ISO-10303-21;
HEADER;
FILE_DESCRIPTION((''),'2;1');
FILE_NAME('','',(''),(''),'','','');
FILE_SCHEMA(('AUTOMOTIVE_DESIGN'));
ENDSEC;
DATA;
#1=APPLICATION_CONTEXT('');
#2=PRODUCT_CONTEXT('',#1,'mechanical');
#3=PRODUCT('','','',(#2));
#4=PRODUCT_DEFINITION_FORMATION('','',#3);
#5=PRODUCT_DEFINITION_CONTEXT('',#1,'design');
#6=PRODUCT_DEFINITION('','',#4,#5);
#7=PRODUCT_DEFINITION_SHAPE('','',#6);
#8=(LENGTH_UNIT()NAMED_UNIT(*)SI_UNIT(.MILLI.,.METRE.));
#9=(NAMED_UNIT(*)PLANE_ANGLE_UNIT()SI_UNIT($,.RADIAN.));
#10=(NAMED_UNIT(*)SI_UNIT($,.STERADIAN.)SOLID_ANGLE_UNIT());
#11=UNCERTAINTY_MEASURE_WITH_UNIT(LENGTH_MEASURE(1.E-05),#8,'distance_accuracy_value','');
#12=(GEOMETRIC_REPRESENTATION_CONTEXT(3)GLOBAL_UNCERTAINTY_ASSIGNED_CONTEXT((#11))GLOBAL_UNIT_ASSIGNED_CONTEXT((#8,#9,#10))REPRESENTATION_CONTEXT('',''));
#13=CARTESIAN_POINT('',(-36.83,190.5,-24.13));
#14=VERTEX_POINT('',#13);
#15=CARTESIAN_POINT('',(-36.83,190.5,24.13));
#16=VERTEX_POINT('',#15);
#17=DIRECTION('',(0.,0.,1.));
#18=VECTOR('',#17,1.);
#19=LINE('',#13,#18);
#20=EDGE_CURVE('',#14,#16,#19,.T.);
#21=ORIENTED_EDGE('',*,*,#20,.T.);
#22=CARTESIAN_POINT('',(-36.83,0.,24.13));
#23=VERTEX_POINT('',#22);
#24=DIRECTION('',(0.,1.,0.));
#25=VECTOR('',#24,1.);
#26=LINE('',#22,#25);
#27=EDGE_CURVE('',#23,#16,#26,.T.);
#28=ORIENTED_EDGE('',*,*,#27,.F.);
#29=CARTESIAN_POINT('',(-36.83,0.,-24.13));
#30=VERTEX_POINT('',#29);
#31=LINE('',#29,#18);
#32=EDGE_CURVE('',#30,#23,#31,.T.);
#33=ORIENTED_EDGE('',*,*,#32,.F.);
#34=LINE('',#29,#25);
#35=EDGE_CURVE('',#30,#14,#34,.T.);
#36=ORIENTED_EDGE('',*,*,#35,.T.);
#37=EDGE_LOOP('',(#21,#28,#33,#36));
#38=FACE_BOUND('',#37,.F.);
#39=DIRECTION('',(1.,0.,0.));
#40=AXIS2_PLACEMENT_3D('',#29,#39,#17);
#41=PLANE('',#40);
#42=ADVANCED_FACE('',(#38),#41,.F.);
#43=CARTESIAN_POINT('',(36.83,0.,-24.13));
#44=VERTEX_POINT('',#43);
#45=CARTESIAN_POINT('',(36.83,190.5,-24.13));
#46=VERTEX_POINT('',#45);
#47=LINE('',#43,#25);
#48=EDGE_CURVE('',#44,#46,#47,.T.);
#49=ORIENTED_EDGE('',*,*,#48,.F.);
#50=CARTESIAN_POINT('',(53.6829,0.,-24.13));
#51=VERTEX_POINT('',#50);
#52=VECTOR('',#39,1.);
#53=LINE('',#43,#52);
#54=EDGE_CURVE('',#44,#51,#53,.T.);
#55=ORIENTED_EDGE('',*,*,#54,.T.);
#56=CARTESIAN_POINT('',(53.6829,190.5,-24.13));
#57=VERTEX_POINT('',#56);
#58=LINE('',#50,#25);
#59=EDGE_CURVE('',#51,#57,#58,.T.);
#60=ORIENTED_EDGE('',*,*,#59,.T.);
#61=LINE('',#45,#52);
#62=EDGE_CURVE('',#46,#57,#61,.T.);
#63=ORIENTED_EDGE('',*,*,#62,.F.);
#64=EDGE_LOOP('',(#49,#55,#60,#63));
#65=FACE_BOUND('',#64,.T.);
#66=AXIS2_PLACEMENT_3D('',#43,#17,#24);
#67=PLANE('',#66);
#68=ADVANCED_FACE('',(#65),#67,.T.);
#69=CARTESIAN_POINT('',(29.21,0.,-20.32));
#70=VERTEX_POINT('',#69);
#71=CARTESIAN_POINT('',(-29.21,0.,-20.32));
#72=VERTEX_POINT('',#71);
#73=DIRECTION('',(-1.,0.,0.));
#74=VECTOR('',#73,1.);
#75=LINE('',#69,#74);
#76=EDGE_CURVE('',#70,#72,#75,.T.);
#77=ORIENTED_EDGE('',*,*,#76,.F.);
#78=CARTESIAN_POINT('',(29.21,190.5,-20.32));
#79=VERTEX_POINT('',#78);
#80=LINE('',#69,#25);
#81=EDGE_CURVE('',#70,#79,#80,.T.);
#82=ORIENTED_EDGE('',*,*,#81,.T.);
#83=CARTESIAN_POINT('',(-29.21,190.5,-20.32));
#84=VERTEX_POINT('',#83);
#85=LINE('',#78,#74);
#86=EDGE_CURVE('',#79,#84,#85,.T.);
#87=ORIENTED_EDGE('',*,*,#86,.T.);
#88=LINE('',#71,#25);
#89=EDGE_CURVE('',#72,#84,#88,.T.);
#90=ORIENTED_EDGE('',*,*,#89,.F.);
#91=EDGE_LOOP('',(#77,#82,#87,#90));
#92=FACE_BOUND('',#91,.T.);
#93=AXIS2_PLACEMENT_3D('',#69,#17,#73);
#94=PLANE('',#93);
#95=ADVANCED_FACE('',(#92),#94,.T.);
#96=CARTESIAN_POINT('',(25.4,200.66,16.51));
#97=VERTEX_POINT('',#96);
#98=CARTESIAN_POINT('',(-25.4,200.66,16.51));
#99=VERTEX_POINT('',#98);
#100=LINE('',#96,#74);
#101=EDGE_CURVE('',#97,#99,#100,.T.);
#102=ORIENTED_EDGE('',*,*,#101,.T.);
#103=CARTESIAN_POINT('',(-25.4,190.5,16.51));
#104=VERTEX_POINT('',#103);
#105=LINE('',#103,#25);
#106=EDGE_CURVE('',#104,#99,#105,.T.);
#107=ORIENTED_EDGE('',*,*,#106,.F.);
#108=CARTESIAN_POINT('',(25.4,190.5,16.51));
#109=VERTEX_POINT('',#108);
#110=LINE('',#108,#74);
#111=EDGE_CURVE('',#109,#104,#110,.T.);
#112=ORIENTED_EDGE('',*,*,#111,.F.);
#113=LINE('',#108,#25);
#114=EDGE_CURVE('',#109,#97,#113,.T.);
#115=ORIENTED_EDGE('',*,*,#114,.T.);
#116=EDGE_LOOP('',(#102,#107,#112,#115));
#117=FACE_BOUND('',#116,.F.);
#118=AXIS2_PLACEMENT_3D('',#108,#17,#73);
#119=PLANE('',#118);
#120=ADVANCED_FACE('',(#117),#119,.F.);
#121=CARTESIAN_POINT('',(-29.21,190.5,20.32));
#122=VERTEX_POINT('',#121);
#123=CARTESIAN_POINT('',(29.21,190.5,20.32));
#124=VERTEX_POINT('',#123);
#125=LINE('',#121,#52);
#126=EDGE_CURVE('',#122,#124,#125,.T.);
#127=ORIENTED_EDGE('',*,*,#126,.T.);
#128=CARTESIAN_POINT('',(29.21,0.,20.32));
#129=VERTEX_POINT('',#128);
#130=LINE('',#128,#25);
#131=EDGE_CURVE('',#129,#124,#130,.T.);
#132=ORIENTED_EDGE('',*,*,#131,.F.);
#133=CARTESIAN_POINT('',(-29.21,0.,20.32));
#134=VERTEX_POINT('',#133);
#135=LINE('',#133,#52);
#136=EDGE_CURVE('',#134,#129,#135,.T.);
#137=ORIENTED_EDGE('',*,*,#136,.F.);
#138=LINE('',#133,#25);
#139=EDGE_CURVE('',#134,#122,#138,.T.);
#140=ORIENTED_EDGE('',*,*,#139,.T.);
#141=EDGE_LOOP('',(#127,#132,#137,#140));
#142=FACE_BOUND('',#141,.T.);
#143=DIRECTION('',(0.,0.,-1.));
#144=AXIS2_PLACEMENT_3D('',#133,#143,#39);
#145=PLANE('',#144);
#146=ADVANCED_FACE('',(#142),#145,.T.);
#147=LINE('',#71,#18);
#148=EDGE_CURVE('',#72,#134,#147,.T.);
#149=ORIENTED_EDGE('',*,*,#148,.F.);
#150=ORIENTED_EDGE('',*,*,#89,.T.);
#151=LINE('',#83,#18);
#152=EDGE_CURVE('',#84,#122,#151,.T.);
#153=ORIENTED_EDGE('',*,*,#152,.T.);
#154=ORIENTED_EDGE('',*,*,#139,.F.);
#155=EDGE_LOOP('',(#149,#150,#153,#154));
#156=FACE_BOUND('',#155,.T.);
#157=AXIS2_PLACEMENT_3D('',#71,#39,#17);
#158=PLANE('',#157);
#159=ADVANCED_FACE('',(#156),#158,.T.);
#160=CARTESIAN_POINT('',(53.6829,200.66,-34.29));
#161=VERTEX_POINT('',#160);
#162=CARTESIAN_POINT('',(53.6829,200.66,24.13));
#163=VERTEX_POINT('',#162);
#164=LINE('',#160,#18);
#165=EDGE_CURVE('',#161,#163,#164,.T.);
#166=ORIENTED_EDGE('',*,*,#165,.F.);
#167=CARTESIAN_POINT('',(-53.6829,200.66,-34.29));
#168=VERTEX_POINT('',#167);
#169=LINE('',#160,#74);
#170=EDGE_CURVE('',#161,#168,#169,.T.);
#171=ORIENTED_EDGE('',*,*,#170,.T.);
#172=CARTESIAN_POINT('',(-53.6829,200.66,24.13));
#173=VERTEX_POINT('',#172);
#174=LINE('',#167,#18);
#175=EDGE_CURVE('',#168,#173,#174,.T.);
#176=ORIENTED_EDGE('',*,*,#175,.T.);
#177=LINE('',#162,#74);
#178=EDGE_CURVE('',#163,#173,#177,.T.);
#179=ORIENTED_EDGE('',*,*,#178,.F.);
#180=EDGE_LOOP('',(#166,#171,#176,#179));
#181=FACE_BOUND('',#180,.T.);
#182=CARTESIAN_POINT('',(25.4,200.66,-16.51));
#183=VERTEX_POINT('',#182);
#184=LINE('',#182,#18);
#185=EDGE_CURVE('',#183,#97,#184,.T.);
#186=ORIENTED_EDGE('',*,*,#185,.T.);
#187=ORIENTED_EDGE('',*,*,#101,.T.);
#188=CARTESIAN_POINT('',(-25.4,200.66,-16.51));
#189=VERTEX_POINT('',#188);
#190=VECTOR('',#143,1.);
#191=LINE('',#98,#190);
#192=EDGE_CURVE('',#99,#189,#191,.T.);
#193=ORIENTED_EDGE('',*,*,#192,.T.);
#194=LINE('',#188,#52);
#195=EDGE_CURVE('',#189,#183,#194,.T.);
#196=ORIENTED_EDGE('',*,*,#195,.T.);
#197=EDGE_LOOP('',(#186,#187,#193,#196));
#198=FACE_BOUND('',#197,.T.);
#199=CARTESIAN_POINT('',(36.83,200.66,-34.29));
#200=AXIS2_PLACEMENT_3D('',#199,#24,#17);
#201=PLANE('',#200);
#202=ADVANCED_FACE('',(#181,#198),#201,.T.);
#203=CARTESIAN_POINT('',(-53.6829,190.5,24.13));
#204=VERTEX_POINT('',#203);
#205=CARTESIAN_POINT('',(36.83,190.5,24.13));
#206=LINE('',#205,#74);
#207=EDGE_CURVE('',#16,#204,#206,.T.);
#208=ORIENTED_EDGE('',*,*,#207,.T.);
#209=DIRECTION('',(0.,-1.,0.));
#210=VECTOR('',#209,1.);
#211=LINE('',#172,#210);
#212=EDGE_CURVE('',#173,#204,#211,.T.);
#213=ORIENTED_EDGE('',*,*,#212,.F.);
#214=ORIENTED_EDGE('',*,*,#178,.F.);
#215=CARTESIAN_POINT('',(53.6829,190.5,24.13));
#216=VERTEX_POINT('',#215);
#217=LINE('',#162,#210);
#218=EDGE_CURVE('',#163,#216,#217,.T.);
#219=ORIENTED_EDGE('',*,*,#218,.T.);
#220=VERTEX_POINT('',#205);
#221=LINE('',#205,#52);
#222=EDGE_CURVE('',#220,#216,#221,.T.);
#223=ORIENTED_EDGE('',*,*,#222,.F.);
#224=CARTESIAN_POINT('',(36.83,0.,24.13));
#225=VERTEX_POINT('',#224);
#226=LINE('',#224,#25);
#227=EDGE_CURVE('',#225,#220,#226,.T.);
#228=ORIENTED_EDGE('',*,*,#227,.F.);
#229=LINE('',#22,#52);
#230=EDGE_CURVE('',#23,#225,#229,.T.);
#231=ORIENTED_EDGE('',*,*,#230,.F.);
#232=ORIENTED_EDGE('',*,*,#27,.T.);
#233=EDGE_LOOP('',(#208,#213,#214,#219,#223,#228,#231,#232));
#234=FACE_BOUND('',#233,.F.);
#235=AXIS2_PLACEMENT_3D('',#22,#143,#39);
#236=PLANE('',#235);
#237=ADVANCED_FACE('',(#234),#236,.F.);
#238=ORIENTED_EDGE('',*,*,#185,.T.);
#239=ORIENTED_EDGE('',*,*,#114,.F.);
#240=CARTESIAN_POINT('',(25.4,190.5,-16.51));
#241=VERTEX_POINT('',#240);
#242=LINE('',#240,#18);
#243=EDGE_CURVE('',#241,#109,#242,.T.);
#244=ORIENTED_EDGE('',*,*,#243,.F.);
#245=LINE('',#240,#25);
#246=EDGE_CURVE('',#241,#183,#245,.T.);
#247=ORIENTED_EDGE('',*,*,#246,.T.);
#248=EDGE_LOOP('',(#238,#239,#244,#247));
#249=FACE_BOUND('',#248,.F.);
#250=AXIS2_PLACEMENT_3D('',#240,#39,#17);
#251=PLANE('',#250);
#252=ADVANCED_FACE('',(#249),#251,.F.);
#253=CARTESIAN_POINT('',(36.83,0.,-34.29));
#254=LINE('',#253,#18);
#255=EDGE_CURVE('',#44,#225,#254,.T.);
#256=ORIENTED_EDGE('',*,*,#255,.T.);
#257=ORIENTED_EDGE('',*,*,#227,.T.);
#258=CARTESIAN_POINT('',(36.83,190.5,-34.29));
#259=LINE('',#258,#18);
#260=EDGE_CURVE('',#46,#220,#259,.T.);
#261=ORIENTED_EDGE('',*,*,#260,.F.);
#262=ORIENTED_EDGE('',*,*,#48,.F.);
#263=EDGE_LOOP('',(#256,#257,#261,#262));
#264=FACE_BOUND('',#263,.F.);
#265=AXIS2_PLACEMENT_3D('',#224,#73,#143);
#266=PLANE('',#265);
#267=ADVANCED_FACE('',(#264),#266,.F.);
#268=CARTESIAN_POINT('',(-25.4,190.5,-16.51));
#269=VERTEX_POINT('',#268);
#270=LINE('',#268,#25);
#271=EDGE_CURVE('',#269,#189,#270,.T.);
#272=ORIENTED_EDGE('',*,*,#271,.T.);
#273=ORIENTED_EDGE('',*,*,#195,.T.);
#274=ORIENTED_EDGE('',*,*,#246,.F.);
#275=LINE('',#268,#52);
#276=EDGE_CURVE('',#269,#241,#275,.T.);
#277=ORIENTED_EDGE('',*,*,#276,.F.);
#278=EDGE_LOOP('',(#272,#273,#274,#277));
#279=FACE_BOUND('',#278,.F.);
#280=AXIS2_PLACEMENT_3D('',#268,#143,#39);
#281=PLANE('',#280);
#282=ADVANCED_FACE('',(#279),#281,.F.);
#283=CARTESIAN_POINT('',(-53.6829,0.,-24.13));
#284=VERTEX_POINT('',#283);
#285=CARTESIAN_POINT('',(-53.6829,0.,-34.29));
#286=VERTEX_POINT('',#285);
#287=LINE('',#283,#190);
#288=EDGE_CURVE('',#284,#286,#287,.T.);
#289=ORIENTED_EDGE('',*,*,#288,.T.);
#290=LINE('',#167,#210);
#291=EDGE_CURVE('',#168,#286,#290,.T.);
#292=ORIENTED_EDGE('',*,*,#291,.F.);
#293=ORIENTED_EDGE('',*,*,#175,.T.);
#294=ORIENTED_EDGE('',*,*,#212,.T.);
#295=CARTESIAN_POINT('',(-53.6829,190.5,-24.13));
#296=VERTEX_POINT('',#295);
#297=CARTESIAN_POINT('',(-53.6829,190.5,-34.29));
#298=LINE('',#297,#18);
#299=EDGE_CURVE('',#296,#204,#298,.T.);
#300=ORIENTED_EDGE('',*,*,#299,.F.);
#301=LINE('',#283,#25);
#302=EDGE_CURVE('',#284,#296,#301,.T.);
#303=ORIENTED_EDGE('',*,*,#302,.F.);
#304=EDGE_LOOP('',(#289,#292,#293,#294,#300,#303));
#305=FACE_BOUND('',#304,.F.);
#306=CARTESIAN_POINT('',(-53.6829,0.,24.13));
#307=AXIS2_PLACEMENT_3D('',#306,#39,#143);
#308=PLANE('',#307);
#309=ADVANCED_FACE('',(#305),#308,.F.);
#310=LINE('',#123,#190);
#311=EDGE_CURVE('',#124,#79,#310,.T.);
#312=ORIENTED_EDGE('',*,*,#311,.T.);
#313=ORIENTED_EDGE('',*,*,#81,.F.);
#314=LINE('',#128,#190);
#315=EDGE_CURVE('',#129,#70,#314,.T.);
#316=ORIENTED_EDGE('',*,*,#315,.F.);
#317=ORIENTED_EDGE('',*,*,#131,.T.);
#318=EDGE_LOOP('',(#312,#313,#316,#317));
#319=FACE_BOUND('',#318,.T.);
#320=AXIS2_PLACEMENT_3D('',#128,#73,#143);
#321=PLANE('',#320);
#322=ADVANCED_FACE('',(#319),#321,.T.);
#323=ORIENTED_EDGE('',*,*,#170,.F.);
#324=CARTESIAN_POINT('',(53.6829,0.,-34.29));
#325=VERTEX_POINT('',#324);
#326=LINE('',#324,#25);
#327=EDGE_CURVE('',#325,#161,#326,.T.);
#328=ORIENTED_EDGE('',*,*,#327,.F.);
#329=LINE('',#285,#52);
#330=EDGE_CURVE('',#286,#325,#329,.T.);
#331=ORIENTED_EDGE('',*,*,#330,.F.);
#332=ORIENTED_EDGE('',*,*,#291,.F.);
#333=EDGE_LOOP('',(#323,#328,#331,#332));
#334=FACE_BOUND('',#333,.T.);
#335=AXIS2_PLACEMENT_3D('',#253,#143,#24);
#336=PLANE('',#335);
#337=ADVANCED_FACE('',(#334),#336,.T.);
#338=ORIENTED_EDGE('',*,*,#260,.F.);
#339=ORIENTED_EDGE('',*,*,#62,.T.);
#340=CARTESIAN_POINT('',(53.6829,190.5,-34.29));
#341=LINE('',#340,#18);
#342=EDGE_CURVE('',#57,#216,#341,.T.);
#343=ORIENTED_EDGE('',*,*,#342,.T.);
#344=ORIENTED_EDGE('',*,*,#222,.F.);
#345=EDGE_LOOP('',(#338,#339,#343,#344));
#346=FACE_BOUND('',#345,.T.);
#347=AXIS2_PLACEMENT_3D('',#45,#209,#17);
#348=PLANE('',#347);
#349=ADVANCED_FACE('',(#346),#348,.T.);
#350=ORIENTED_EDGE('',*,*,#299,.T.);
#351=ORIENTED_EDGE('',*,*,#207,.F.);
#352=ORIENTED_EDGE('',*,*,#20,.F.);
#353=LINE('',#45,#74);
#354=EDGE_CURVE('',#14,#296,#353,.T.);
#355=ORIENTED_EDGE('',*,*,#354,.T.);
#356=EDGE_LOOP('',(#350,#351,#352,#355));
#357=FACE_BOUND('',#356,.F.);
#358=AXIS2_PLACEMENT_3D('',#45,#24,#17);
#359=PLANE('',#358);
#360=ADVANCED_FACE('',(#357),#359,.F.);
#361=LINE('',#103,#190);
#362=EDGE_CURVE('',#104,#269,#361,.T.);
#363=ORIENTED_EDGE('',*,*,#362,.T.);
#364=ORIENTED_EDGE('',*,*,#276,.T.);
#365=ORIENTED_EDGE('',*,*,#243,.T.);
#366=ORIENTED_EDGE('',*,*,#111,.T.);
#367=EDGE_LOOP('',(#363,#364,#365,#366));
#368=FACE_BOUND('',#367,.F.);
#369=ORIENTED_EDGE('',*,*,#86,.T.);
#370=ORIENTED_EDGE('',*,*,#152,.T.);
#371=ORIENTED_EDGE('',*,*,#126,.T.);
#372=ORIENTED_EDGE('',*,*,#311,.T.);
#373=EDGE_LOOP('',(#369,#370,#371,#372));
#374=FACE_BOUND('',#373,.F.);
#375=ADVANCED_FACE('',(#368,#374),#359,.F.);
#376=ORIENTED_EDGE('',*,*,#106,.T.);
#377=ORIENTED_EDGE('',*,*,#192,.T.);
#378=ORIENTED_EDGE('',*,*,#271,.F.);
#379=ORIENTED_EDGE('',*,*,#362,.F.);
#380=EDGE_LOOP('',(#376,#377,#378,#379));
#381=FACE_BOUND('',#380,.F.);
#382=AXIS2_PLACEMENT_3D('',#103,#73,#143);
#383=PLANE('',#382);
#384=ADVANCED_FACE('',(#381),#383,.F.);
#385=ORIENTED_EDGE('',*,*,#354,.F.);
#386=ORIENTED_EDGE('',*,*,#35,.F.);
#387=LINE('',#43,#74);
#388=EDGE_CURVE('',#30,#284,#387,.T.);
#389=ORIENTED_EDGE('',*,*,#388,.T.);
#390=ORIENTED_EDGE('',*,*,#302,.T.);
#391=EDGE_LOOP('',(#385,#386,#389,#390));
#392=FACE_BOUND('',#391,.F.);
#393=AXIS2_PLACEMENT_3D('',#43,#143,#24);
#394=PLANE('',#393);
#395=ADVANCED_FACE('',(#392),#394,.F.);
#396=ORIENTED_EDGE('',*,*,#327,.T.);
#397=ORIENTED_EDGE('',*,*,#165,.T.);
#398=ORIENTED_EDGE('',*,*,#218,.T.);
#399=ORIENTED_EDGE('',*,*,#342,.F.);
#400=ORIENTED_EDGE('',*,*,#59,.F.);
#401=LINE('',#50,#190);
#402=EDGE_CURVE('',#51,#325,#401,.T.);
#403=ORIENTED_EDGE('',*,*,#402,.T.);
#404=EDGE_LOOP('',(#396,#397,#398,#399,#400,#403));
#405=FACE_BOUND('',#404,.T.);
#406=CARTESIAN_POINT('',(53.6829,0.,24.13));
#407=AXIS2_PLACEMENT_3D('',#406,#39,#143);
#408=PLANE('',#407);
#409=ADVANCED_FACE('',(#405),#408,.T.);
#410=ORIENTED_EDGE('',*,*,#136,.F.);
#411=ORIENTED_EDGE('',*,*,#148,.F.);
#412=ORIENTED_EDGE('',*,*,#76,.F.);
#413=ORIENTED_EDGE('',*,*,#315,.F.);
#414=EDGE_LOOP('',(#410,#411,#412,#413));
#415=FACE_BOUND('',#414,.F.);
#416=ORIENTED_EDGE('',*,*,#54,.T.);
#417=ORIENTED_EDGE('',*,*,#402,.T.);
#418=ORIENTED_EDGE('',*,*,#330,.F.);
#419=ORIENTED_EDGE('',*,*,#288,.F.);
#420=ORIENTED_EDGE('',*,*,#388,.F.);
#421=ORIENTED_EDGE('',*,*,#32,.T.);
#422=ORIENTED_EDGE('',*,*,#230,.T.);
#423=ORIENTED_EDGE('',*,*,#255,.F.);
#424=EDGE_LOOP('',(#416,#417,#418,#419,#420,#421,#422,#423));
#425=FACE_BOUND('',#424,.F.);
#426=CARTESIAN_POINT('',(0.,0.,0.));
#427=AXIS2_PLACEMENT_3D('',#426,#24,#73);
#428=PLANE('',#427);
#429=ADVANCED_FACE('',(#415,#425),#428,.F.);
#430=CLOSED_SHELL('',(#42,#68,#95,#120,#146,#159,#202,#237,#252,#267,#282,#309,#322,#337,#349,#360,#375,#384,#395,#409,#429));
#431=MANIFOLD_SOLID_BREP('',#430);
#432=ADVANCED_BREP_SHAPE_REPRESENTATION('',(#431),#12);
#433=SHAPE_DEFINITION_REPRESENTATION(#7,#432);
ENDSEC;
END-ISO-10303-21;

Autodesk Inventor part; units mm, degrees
ref_plane "YZ Plane" through (0, 0, 0) normal (1, 0, 0) x (0, 1, 0)
ref_plane "XZ Plane" through (0, 0, 0) normal (0, 1, 0) x (-1, 0, 0)
ref_plane "XY Plane" through (0, 0, 0) normal (0, 0, 1) x (1, 0, 0)
sketch "Sketch1" plane through (0, 0, 0) normal (0, 1, 0) x (-1, 0, 0)
  line L0 (36.83, 24.13) -> (-36.83, 24.13)
  line L1 (-36.83, 24.13) -> (-36.83, -24.13)
  line L2 (-36.83, -24.13) -> (36.83, -24.13)
  line L3 (36.83, -24.13) -> (36.83, 24.13)
  line L4 (36.83, 24.13) -> (-36.83, -24.13) construction
  line L5 (-36.83, 24.13) -> (36.83, -24.13) construction
  line L6 (29.21, 20.32) -> (-29.21, 20.32)
  line L7 (-29.21, 20.32) -> (-29.21, -20.32)
  line L8 (-29.21, -20.32) -> (29.21, -20.32)
  line L9 (29.21, -20.32) -> (29.21, 20.32)
  line L10 (29.21, 20.32) -> (-29.21, -20.32) construction
  line L11 (-29.21, 20.32) -> (29.21, -20.32) construction
  point P0 (0, 0)
  dimension "d0" = 73.66
  dimension "d1" = 48.26
  dimension "d2" = 58.42
  dimension "d3" = 40.64
extrude "Extrusion1" add sketch "Sketch1" along normal blind 190.5
sketch "Sketch2" plane through (36.83, 0, 24.13) normal (1, 0, 0) x (0, 0, -1)
  line L0 (0, 0) -> (-10.16, 0)
  line L1 (48.26, 0) -> (48.26, 190.5) projected
  line L2 (48.26, 0) -> (58.42, 0)
  line L3 (-10.16, 0) -> (58.42, 0)
  line L4 (58.42, 0) -> (58.42, 190.5)
  line L5 (58.42, 190.5) -> (-10.16, 190.5)
  line L6 (-10.16, 190.5) -> (-10.16, 0)
  line L7 (-10.16, 190.5) -> (58.42, 190.5)
  line L8 (58.42, 190.5) -> (58.42, 200.66)
  line L9 (58.42, 200.66) -> (-10.16, 200.66)
  line L10 (-10.16, 200.66) -> (-10.16, 190.5)
  line L11 (0, 190.5) -> (48.26, 190.5) projected
  line L12 (-10.16, 0) -> (0, 0)
  line L13 (0, 0) -> (0, 190.5)
  line L14 (0, 190.5) -> (-10.16, 190.5)
  line L15 (-10.16, 190.5) -> (-10.16, 0)
  line L16 (0, 190.5) -> (58.42, 190.5)
  line L17 (58.42, 190.5) -> (58.42, 200.66)
  line L18 (58.42, 200.66) -> (0, 200.66)
  line L19 (0, 200.66) -> (0, 190.5)
  point P0 (24.13, 0)
  dimension "d6" = 10.16
  dimension "d7" = 10.16
  dimension "d8" = 10.16
extrude "Extrusion2" add sketch "Sketch2" against normal blind 90.5129 contours L1 L5 L4 L2 | L19 L9 L8 L5
extrude "Extrusion3" add sketch "Sketch2" along normal blind 16.8529 contours L1 L5 L4 L2 | L19 L9 L8 L5
sketch "Sketch3" plane through (-29.21, 190.5, 20.32) normal (0, -1, 0) x (1, 0, 0)
  line L0 (58.42, 0) -> (0, 0) projected
  line L1 (0, -40.64) -> (58.42, -40.64) projected
  line L2 (58.42, 0) -> (0, 0)
  line L3 (0, 0) -> (0, -40.64)
  line L4 (0, -40.64) -> (58.42, -40.64)
  line L5 (58.42, -40.64) -> (58.42, 0)
  line L6 (54.61, -3.81) -> (3.81, -3.81)
  line L7 (3.81, -3.81) -> (3.81, -36.83)
  line L8 (3.81, -36.83) -> (54.61, -36.83)
  line L9 (54.61, -36.83) -> (54.61, -3.81)
  line L10 (54.61, -3.81) -> (3.81, -36.83) construction
  line L11 (3.81, -3.81) -> (54.61, -36.83) construction
  point P0 (29.21, -20.32)
  dimension "d13" = 50.8
  dimension "d14" = 33.02
extrude "Extrusion4" cut sketch "Sketch3" against normal blind 10.16 contours L9 L8 L7 L6
properties part number "UE306_Sleeve"
